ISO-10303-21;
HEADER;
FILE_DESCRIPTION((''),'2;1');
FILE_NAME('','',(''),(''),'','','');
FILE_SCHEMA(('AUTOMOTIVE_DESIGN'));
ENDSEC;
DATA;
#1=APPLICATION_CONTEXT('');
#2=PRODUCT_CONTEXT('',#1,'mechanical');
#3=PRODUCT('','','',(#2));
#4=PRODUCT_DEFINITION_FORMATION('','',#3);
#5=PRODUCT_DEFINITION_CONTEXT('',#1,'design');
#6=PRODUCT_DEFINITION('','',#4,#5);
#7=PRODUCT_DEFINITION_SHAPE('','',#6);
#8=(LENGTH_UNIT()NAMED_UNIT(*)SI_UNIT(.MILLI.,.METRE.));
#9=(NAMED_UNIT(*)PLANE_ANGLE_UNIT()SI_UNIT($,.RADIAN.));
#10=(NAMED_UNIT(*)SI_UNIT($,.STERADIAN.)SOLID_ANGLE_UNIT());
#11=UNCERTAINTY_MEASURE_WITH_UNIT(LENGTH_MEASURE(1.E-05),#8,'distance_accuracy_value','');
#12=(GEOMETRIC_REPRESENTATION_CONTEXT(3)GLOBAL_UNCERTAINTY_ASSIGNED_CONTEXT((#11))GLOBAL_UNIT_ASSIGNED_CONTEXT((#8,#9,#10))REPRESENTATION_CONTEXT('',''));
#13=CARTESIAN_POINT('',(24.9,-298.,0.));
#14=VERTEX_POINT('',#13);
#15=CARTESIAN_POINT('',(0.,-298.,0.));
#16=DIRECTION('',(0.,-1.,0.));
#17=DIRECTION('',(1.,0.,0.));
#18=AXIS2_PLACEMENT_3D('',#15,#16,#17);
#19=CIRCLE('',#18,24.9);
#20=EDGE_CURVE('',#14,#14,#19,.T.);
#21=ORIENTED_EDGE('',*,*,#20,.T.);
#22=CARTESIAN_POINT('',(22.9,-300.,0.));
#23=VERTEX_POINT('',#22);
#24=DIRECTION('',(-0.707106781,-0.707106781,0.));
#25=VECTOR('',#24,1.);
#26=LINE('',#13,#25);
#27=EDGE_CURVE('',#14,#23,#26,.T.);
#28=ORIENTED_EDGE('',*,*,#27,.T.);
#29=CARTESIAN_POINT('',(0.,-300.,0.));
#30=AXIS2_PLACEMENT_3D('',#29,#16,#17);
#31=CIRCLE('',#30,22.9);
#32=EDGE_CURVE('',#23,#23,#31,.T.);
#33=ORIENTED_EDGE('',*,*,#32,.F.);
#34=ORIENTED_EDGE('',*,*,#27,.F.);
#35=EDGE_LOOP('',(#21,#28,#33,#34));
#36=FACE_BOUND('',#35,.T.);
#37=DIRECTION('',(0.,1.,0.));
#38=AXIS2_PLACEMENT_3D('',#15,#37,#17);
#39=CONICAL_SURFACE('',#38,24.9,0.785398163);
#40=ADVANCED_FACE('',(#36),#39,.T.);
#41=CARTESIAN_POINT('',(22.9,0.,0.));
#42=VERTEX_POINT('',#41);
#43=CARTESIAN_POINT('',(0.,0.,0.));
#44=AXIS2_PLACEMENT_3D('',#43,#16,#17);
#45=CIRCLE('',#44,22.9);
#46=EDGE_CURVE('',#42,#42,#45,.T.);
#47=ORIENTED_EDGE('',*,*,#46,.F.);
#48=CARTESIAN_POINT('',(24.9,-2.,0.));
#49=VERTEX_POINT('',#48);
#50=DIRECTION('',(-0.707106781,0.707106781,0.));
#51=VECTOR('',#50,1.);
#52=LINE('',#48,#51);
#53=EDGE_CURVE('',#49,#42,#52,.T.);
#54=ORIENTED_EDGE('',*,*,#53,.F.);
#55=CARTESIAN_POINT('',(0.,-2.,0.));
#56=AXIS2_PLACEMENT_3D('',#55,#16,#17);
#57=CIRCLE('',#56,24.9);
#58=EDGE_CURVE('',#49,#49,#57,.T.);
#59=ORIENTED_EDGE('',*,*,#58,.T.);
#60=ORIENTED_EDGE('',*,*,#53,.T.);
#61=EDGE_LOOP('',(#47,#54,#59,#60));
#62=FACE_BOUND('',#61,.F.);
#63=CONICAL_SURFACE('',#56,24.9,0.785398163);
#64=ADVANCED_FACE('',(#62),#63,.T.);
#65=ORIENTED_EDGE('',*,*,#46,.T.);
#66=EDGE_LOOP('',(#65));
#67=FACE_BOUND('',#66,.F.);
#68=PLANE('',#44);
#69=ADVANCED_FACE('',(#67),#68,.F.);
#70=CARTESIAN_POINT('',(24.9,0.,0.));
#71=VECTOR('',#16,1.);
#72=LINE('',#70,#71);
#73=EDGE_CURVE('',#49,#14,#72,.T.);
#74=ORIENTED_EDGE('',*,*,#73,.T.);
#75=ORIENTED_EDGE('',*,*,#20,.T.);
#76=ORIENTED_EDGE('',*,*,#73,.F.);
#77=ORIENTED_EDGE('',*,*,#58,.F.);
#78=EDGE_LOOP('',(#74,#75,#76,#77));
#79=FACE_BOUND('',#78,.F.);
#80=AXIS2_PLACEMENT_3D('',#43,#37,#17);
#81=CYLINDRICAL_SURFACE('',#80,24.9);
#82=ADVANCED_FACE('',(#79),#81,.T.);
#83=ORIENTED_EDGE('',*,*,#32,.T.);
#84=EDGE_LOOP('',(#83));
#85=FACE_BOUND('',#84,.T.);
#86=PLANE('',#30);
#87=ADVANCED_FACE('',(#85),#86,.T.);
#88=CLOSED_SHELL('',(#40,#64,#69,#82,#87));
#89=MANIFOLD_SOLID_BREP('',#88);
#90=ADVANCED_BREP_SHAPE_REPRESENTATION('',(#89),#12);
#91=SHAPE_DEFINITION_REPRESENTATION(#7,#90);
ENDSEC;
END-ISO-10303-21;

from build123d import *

# Parameters (mm, degrees)
F0_R     = 24.9
F1_DEPTH = 300
F2_SIZE  = 2
F3_SIZE  = 2


with BuildPart() as f1:
    # F0 (on Front) → F1 (new body)
    with BuildSketch(Plane.XZ):
        Circle(F0_R)
    extrude(amount=F1_DEPTH)

    # F2
    f2_edges = [f1.edges().sort_by_distance(p)[0] for p in [
        (-24.9, -300, 0),
    ]]
    chamfer(f2_edges, length=F2_SIZE)

    # F3
    f3_edges = [f1.edges().sort_by_distance(p)[0] for p in [
        (-24.9, 0, 0),
    ]]
    chamfer(f3_edges, length=F3_SIZE)


solid = f1.part
